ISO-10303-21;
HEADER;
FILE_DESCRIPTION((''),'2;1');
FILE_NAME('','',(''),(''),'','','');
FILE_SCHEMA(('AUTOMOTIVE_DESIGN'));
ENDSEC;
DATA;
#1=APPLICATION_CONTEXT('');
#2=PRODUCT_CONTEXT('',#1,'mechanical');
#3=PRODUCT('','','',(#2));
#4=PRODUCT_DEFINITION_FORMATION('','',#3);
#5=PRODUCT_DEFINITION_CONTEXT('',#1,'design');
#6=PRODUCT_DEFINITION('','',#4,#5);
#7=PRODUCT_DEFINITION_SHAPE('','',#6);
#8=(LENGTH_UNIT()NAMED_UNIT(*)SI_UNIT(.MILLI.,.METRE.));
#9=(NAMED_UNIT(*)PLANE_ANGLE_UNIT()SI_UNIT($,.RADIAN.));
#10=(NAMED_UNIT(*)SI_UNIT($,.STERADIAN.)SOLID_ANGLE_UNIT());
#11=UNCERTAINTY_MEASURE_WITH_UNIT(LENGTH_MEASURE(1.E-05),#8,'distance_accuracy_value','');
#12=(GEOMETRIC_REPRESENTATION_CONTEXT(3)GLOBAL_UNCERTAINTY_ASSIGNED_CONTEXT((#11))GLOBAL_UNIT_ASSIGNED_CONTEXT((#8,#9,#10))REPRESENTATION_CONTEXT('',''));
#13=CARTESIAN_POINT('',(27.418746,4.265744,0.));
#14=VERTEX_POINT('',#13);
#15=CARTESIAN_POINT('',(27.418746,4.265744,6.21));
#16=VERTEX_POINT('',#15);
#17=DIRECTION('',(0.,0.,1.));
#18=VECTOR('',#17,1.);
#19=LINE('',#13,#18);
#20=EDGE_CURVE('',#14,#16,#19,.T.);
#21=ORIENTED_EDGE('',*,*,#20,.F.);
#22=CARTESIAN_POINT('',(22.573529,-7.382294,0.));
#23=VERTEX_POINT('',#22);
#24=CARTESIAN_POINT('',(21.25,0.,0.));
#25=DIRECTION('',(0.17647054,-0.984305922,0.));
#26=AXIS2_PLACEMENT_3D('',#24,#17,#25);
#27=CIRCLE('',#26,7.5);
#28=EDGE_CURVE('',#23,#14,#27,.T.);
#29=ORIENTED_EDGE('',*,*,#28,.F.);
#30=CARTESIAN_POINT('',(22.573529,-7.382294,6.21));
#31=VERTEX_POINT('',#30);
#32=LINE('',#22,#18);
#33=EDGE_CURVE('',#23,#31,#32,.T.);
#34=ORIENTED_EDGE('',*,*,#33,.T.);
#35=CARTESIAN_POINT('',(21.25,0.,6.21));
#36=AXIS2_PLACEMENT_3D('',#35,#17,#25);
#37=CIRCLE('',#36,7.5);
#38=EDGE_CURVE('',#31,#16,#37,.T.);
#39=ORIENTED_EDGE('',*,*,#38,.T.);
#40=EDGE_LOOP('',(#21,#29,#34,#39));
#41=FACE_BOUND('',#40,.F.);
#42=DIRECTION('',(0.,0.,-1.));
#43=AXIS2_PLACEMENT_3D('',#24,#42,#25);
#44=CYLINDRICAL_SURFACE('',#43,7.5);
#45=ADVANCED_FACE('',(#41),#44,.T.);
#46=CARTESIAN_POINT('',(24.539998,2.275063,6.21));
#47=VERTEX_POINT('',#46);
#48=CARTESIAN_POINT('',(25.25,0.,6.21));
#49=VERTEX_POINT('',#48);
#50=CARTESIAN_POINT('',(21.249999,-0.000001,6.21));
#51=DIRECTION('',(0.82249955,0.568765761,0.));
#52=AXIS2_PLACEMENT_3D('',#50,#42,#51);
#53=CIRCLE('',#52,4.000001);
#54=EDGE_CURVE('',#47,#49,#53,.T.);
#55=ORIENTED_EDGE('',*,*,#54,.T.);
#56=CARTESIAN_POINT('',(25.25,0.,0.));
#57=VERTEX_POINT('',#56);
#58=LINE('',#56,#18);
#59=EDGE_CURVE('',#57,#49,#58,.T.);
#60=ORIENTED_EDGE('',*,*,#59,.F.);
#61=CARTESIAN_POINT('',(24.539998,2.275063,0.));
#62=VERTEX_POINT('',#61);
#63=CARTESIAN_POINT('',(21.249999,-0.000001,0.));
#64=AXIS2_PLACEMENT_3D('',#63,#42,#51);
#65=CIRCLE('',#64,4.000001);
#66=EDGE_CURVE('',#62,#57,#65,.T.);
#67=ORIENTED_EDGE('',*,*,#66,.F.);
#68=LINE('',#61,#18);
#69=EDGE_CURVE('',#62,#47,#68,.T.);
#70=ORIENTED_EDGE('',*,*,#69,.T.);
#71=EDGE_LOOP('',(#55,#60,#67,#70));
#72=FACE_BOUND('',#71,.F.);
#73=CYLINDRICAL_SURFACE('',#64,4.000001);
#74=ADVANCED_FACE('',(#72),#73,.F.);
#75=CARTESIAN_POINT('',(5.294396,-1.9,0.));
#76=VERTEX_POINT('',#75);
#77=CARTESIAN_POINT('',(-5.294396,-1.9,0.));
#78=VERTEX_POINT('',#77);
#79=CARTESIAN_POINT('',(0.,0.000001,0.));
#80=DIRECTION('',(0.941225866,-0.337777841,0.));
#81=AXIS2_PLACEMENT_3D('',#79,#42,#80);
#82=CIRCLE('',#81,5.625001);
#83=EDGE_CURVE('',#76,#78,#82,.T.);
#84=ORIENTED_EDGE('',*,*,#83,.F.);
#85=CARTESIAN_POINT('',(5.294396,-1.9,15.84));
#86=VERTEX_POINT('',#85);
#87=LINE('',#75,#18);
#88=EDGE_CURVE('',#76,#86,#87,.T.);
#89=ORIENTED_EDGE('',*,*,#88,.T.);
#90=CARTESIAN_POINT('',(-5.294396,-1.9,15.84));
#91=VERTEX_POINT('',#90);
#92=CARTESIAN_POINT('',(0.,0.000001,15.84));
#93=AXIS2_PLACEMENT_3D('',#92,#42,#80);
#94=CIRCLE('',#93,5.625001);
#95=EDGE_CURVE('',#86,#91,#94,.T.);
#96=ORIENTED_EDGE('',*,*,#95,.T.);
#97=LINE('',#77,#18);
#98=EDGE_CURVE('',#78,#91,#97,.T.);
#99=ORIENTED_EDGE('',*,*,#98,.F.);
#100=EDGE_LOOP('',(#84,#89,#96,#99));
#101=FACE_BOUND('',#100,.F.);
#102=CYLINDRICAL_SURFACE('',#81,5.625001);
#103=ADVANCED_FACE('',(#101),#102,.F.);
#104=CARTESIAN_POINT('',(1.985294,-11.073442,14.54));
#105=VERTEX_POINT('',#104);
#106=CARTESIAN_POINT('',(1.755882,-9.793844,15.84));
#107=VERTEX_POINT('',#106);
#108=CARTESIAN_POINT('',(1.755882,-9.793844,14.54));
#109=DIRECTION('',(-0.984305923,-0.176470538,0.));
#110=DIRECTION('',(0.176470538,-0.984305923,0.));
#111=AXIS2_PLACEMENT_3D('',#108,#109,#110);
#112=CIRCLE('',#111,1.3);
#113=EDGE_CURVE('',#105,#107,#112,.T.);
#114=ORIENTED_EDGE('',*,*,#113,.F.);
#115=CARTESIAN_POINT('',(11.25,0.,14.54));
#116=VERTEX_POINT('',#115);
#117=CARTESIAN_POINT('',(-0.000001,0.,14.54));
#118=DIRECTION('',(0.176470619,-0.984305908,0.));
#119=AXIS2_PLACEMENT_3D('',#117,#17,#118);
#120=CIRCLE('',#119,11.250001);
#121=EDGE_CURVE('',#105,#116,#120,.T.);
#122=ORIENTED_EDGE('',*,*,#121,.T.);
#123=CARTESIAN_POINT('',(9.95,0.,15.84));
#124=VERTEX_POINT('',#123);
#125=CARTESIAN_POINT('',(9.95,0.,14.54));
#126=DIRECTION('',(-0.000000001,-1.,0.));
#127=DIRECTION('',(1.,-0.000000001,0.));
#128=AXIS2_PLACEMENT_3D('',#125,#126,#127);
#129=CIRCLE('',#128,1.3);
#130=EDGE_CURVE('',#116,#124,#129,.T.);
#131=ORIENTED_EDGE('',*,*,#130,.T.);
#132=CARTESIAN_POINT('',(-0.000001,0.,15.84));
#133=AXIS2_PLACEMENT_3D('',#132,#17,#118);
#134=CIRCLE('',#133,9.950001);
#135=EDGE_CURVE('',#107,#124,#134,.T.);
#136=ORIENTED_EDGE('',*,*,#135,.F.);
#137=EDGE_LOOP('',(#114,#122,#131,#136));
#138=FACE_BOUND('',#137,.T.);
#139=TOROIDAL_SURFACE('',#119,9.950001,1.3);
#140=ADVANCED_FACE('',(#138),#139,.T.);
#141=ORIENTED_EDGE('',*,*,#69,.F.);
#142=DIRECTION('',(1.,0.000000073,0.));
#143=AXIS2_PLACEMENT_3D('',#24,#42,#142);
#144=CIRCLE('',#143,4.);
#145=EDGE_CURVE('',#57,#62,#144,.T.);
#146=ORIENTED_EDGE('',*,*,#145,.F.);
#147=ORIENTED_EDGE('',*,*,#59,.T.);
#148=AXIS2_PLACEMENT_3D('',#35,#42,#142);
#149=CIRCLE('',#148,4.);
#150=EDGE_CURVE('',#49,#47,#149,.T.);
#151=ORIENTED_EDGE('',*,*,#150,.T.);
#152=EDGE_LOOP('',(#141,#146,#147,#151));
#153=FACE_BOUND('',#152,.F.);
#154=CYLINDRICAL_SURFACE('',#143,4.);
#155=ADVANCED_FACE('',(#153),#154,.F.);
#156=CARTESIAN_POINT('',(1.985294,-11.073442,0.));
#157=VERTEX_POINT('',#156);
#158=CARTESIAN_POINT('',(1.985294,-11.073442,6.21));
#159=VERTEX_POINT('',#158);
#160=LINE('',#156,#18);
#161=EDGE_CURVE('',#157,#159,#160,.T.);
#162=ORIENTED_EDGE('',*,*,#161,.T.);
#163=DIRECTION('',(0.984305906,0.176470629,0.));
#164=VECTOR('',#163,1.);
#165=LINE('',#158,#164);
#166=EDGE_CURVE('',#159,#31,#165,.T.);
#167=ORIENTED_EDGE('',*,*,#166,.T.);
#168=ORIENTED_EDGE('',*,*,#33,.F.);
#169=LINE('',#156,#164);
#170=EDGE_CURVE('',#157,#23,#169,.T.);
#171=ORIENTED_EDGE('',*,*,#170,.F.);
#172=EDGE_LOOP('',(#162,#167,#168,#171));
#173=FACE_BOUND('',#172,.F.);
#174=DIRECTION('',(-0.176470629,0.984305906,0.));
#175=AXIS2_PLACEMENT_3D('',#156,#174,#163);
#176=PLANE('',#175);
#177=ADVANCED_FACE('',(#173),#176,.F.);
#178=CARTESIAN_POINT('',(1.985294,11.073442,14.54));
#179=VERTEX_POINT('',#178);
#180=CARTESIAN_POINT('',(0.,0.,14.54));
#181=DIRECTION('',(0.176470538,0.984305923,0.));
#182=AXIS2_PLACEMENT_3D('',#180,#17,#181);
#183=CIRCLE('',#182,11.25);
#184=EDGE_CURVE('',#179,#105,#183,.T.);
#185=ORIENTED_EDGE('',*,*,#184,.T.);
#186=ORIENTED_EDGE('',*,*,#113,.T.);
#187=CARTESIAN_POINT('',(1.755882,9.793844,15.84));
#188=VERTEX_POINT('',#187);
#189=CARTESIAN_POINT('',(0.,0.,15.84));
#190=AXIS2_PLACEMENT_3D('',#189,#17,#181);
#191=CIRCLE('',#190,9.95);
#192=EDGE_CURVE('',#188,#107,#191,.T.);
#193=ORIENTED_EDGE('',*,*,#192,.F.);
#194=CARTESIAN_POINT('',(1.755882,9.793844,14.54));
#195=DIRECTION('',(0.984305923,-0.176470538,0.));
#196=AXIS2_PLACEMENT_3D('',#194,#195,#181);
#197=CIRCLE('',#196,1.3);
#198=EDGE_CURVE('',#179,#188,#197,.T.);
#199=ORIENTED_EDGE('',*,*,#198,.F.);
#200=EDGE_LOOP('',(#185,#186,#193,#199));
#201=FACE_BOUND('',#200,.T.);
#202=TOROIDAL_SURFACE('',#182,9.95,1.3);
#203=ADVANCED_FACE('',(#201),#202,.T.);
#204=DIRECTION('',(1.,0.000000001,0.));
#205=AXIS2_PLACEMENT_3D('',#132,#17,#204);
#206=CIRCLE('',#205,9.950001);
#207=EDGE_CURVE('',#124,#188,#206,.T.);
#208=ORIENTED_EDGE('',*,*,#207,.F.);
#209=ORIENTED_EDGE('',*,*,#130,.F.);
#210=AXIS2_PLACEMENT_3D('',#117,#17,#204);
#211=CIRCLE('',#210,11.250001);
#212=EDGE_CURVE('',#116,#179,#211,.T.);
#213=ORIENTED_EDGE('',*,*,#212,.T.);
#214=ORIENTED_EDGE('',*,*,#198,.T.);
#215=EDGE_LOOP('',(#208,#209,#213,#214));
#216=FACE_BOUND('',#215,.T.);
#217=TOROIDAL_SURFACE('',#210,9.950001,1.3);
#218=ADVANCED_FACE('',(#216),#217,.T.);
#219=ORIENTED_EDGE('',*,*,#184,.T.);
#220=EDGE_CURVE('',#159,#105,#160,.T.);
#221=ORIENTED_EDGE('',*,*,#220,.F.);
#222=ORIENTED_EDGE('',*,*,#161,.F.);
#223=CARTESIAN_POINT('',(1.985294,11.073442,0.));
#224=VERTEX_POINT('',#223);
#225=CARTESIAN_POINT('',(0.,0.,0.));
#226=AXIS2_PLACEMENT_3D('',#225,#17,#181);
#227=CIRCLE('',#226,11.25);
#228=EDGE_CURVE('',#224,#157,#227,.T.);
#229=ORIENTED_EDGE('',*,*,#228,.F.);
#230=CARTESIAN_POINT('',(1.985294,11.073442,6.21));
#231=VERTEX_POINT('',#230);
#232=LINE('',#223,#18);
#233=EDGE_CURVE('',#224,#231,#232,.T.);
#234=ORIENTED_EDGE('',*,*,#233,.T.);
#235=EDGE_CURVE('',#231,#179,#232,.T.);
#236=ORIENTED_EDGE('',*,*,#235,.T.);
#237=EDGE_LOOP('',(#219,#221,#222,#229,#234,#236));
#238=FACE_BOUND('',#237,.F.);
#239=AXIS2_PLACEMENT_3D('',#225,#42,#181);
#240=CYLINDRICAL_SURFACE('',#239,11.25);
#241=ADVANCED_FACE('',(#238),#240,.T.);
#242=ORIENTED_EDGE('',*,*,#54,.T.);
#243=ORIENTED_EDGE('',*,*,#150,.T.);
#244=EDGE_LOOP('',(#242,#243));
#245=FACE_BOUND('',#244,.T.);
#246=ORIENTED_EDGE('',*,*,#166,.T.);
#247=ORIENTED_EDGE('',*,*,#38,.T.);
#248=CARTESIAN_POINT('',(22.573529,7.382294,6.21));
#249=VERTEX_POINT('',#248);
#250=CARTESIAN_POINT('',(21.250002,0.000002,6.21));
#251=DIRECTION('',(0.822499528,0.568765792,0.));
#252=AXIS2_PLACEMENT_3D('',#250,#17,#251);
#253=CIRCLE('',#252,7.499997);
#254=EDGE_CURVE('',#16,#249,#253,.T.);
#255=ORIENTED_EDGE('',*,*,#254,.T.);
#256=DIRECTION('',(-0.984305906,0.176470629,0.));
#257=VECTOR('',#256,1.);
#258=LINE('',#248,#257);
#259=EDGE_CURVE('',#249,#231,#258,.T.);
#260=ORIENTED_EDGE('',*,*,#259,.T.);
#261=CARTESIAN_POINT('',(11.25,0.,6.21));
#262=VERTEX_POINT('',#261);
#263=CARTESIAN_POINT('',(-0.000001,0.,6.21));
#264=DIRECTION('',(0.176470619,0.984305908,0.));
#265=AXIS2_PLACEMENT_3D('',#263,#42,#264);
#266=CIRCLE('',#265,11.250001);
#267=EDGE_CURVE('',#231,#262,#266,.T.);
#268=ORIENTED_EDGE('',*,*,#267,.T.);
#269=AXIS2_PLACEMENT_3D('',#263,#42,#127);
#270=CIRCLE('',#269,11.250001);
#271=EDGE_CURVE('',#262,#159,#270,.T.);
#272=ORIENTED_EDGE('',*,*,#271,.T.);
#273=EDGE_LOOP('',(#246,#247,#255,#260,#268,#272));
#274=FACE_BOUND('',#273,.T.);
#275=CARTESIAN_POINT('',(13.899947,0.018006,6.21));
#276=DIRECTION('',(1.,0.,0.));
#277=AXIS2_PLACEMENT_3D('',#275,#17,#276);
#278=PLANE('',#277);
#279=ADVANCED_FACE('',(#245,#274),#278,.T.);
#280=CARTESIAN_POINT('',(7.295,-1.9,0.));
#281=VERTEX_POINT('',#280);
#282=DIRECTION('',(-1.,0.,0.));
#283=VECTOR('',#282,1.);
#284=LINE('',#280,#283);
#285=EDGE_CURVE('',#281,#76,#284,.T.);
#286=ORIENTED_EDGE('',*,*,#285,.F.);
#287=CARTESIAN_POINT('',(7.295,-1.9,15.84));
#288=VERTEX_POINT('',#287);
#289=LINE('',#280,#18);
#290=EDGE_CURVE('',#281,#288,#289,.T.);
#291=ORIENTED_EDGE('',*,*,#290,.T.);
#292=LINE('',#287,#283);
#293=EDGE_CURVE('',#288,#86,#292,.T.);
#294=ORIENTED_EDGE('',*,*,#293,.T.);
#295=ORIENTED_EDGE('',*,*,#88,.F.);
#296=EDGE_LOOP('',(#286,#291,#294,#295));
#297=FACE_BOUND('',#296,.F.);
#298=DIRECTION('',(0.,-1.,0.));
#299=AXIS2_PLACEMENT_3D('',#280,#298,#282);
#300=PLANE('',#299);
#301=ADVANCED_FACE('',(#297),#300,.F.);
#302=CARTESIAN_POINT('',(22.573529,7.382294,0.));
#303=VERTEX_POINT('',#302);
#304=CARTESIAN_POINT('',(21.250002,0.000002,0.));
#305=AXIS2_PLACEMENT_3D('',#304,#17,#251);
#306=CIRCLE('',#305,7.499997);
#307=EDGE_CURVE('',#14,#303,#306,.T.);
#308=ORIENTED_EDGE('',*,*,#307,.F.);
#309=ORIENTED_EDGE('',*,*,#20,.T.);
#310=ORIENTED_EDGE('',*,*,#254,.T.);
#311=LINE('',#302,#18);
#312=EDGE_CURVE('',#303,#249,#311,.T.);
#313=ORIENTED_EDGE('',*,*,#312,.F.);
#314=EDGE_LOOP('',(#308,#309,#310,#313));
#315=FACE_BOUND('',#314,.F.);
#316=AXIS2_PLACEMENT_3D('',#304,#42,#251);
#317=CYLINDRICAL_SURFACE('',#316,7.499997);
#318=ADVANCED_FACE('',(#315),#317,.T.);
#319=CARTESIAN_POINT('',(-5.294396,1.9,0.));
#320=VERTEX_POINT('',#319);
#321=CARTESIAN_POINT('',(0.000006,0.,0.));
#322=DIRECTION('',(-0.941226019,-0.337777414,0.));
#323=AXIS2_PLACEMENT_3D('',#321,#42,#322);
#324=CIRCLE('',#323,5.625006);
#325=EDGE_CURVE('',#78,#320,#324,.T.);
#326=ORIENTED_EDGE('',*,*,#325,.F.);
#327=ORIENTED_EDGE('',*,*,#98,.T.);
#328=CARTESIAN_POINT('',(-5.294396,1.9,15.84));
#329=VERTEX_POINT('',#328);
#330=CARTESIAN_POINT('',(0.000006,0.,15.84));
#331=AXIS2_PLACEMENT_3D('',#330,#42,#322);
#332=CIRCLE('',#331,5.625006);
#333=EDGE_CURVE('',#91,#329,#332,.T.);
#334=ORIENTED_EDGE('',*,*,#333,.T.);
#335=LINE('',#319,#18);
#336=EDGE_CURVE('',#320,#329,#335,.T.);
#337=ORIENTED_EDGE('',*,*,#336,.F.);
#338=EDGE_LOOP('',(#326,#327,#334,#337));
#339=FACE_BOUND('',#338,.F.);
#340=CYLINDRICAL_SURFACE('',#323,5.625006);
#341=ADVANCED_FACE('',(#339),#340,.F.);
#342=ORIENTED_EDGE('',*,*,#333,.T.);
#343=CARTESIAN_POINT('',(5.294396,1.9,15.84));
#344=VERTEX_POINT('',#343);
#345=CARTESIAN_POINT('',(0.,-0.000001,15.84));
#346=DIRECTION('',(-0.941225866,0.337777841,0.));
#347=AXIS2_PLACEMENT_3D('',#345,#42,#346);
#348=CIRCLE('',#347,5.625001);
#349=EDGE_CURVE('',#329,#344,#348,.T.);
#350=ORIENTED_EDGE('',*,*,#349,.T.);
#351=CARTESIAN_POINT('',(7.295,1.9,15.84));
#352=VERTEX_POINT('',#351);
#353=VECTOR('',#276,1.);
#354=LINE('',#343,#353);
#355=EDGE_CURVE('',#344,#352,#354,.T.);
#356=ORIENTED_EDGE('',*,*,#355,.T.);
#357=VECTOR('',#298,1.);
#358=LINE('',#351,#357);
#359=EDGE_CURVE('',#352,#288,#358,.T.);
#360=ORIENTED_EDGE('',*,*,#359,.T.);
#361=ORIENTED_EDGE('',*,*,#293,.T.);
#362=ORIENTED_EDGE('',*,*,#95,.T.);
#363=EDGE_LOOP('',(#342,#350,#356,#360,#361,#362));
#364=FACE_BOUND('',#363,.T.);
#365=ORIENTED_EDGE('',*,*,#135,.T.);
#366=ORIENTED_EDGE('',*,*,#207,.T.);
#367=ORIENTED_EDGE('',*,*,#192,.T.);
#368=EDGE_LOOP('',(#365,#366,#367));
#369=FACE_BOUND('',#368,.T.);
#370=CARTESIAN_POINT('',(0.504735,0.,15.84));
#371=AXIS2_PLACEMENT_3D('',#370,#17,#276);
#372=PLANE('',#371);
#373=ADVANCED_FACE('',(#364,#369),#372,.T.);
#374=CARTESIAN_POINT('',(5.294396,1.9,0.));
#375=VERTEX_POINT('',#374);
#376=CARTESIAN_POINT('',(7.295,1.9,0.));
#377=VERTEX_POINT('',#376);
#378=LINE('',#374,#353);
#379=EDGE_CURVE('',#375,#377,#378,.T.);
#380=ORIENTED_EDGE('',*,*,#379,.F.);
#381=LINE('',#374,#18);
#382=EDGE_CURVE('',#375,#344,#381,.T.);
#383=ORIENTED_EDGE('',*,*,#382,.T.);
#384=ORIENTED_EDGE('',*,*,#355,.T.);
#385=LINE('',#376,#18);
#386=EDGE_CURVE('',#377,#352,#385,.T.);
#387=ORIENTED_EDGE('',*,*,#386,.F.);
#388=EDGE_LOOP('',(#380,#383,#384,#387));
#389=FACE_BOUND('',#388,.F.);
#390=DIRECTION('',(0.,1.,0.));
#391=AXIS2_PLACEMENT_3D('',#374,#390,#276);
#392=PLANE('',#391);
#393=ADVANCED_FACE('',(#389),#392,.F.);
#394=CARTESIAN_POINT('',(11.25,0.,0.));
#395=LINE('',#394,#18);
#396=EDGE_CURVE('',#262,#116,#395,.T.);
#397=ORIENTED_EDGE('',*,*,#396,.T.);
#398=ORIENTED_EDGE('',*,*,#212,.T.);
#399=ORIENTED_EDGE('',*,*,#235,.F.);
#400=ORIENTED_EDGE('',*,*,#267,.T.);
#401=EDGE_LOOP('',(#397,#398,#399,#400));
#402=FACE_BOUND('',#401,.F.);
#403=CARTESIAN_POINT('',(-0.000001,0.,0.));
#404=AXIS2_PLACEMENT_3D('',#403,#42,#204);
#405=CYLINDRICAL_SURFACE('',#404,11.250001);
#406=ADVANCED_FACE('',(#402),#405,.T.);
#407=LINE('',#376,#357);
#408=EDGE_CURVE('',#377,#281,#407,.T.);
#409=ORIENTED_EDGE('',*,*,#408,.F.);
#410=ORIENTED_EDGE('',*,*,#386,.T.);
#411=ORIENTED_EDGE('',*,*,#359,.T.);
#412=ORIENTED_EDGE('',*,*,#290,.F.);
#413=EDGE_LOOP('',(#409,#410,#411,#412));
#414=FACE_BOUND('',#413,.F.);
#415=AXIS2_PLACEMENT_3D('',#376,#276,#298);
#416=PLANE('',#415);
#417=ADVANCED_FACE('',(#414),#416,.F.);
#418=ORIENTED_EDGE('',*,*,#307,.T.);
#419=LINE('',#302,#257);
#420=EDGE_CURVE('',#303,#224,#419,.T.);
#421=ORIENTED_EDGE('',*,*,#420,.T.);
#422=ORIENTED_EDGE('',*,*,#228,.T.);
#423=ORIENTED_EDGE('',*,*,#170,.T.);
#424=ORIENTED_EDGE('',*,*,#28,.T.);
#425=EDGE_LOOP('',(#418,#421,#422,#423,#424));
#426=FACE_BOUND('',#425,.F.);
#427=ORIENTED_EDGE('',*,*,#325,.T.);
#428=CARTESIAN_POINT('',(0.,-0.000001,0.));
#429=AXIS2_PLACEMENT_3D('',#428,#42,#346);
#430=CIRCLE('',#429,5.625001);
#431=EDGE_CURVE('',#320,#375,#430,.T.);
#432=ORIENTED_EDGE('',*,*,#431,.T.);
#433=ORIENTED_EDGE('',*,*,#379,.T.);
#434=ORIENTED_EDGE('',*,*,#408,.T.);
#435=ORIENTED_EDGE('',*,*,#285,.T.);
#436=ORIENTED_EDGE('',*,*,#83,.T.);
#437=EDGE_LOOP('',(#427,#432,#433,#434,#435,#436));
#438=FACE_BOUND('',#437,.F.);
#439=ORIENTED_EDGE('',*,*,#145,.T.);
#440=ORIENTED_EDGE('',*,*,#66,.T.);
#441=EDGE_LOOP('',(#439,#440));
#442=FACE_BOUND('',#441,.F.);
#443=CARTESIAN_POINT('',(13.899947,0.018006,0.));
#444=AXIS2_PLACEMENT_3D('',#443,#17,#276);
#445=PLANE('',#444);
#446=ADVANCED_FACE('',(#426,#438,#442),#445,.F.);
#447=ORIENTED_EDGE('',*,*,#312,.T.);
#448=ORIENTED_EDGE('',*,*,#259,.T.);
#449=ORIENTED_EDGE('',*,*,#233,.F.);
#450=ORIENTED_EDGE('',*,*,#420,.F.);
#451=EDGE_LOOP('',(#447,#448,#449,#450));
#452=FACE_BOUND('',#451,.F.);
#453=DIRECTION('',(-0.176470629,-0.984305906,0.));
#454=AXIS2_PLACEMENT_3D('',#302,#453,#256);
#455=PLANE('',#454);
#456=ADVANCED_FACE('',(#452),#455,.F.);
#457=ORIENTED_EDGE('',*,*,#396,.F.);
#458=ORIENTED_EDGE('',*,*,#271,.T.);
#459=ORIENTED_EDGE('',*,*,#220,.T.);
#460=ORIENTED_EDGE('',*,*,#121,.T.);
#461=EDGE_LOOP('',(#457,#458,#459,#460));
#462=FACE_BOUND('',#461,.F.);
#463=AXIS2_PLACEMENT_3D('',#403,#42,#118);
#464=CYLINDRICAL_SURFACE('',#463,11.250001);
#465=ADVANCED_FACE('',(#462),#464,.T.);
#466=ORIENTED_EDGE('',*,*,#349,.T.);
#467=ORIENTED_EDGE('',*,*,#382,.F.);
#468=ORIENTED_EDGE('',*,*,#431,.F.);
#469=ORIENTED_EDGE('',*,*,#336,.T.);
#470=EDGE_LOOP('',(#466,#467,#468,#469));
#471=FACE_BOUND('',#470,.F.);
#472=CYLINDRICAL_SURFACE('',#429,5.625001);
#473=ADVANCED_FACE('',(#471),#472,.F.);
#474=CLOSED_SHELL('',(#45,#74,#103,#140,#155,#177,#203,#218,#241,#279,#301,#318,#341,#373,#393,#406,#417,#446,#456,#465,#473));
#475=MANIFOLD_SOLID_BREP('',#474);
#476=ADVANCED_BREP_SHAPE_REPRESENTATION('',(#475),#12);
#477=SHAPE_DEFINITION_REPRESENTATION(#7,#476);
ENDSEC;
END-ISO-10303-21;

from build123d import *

# Parameters (mm, degrees)
F1_DEPTH = 15.84
F2_DEPTH = 6.21
F3_R     = 1.3


with BuildPart() as f1:
    # F0 (on Top) → F1 (new body)
    with BuildSketch(Plane.XY):
        with BuildLine():
            ThreePointArc((1.985294, -11.073442), (8.628356, -7.219001), (11.25, 0))
            ThreePointArc((11.25, 0), (8.628356, 7.219001), (1.985294, 11.073442))
            ThreePointArc((1.985294, 11.073442), (-11.25, 0), (1.985294, -11.073442))
        make_face()
        with BuildLine():
            ThreePointArc((-5.294396, -1.9), (-5.625, 0), (-5.294396, 1.9))
            ThreePointArc((-5.294396, 1.9), (0, 5.625), (5.294396, 1.9))
            Line((5.294396, 1.9), (7.295, 1.9))
            Line((7.295, 1.9), (7.295, 0))
            Line((7.295, 0), (7.295, -1.9))
            Line((7.295, -1.9), (5.294396, -1.9))
            ThreePointArc((5.294396, -1.9), (0, -5.625), (-5.294396, -1.9))
        make_face(mode=Mode.SUBTRACT)
    extrude(amount=F1_DEPTH)

    # F0 (on Top) → F2 (join)
    with BuildSketch(Plane.XY):
        with BuildLine():
            ThreePointArc((1.985294, 11.073442), (8.628356, 7.219001), (11.25, 0))
            ThreePointArc((11.25, 0), (8.628356, -7.219001), (1.985294, -11.073442))
            Line((1.985294, -11.073442), (22.573529, -7.382294))
            ThreePointArc((22.573529, -7.382294), (28.174792, -2.880495), (27.418746, 4.265744))
            ThreePointArc((27.418746, 4.265744), (25.307311, 6.307791), (22.573529, 7.382294))
            Line((22.573529, 7.382294), (1.985294, 11.073442))
        make_face()
        with BuildLine():
            ThreePointArc((25.25, 0), (17.431624, -1.191639), (24.539998, 2.275063))
            ThreePointArc((24.539998, 2.275063), (25.068376, 1.191639), (25.25, 0))
        make_face(mode=Mode.SUBTRACT)
    extrude(amount=F2_DEPTH)

    # F3
    f3_edges = [f1.edges().sort_by_distance(p)[0] for p in [
        (-1.985294, 11.073442, 15.84),
    ]]
    fillet(f3_edges, radius=F3_R)


solid = f1.part
